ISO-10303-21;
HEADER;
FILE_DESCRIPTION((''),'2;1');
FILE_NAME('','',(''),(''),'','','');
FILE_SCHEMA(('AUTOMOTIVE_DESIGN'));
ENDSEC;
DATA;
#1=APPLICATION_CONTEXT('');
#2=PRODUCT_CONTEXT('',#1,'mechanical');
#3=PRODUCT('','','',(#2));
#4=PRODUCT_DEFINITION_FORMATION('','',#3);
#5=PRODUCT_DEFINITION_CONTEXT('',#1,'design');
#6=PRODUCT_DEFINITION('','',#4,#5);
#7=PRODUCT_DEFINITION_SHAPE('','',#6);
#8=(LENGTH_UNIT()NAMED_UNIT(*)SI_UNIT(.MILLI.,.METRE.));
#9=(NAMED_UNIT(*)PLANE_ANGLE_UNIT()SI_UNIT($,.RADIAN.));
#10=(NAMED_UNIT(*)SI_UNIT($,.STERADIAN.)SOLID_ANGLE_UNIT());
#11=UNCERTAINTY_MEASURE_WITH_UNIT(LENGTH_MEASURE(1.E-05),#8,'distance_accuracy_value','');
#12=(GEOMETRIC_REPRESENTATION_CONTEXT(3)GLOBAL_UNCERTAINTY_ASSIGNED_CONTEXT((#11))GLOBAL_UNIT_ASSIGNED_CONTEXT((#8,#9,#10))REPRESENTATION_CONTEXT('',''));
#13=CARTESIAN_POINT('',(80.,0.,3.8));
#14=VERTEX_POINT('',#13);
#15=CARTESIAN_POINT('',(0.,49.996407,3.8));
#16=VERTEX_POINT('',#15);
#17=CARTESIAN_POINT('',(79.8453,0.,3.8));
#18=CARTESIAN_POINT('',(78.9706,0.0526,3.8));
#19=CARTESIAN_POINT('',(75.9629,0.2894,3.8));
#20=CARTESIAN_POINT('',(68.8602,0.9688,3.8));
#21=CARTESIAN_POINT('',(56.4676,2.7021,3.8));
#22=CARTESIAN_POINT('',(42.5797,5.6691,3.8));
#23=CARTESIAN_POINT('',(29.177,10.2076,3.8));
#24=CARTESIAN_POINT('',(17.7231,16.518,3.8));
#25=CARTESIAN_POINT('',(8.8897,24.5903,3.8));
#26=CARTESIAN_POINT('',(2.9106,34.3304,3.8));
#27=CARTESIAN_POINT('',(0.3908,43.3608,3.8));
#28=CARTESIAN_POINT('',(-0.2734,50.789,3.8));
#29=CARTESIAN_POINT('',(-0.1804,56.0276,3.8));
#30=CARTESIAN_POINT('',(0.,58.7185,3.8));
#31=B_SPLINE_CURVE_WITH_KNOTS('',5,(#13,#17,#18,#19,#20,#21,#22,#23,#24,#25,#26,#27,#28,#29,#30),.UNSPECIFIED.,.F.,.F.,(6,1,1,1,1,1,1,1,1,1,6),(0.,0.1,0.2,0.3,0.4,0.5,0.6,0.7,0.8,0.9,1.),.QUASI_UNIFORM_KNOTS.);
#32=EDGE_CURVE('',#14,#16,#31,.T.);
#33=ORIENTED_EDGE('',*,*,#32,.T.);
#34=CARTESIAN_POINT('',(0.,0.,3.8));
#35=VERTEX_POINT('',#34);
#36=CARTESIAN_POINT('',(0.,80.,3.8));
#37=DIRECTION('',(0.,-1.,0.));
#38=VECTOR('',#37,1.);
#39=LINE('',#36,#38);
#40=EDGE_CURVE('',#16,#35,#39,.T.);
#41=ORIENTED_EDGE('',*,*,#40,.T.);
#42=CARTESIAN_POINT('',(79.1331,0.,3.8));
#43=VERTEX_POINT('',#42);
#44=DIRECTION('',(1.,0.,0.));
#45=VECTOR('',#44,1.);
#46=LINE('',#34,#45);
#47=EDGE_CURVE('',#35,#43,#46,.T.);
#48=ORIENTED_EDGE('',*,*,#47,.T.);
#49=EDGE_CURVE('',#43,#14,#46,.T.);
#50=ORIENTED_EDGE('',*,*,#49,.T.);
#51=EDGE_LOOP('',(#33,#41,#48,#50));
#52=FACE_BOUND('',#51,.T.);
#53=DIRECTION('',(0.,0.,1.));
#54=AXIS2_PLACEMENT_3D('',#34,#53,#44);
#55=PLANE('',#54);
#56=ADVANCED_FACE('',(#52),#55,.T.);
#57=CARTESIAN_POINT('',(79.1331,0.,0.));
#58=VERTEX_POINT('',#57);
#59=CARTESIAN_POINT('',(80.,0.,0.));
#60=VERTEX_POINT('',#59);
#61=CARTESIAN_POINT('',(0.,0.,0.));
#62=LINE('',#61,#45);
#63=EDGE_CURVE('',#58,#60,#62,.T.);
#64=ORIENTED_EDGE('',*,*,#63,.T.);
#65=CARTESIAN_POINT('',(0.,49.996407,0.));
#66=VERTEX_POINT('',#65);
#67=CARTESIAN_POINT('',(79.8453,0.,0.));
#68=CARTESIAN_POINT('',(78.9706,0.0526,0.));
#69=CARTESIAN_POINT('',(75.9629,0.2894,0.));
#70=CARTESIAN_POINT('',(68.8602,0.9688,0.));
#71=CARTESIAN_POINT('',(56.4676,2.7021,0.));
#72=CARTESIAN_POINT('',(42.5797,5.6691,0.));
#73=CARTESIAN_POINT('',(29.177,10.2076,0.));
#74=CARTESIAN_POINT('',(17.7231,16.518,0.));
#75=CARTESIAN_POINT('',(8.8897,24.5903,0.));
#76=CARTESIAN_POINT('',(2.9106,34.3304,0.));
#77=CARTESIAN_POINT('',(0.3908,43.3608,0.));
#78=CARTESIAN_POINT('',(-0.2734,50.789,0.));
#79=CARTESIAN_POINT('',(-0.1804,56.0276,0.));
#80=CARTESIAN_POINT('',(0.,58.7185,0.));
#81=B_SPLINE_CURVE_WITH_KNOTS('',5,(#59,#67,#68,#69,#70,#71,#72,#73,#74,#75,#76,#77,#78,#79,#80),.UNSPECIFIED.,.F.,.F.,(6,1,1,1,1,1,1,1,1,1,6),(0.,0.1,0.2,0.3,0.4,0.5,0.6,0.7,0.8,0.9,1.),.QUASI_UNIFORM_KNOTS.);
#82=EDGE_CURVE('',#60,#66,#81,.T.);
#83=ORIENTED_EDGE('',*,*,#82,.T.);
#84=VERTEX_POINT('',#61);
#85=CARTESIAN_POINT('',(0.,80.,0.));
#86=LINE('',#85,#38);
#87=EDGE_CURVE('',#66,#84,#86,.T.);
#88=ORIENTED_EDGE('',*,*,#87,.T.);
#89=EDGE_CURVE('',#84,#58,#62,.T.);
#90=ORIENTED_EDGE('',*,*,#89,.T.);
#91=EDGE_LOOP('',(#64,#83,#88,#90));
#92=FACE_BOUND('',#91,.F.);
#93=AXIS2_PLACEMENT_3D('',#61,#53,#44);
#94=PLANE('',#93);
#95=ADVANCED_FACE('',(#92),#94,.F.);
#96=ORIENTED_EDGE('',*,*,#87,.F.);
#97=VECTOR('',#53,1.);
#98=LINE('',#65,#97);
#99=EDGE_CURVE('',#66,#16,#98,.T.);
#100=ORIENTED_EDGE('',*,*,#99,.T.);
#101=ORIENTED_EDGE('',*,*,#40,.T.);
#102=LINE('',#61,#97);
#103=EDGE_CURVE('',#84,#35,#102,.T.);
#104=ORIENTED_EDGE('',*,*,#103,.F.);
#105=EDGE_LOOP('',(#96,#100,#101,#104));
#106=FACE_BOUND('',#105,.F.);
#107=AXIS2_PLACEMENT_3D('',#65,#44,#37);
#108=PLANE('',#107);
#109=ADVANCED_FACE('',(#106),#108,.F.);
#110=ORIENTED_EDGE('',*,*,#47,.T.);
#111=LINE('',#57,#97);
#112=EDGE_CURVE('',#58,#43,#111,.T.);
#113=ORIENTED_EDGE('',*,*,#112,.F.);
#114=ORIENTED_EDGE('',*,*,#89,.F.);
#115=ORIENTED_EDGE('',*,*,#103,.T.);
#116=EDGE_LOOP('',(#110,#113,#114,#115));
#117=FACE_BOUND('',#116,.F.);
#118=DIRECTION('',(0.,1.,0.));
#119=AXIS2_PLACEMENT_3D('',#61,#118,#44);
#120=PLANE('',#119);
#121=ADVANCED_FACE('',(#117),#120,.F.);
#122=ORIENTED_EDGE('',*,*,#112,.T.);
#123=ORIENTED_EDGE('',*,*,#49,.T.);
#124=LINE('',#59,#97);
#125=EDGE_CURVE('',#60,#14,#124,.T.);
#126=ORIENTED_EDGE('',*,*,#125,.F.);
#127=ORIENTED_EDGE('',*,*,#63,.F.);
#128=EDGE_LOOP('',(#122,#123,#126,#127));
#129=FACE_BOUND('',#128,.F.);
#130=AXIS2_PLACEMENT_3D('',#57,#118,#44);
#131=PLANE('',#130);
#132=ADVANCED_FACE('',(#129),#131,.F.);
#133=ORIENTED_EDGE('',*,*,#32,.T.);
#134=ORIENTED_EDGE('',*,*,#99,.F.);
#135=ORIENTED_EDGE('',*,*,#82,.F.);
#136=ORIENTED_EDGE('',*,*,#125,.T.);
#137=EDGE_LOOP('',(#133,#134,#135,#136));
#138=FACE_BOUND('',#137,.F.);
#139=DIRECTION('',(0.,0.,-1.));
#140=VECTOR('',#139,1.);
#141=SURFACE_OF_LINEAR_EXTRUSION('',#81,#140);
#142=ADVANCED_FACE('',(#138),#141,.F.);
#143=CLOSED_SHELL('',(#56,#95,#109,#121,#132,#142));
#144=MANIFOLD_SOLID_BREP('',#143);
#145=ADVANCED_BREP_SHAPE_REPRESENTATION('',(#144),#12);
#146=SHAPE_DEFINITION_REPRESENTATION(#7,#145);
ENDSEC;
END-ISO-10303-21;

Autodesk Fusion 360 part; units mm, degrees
sketch "Sketch1" plane through (0, 0, 0) normal (0, 0, 1) x (1, 0, 0)
  line L0 (0, 0) -> (80, 0)
  line L1 (80, 0) -> (80, 80) construction
  line L2 (80, 80) -> (0, 80) construction
  line L3 (0, 80) -> (0, 0)
  spline S0 degree 5 poles (80, 0) (79.8453, 0) (78.9706, 0.0526) (75.9629, 0.2894) (68.8602, 0.9688) (56.4676, 2.7021) (42.5797, 5.6691) (29.177, 10.2076) (17.7231, 16.518) (8.8897, 24.5903) (2.9106, 34.3304) (0.3908, 43.3608) (-0.2734, 50.789) (-0.1804, 56.0276) (0, 58.7185) knots 0 0 0 0 0 0 0.1 0.2 0.3 0.4 0.5 0.6 0.7 0.8 0.9 1 1 1 1 1 1
  line L4 (80.8669, 0) -> (79.1331, 0)
  point P0 (32.9492, 9.2849)
extrude "Extrude1" add sketch "Sketch1" along normal blind 3.8 contours L0 L3 S0 L4
sketch "Sketch2" plane through (0, 0, 3.8) normal (0, 0, 1) x (-1, 0, 0)
  spline S0 degree 5 poles (-80, 0) (-79.8453, 0) (-78.9706, -0.0526) (-75.9629, -0.2894) (-68.8602, -0.9688) (-56.4676, -2.7021) (-42.5797, -5.6691) (-29.177, -10.2076) (-17.7231, -16.518) (-8.8897, -24.5903) (-3.7147, -33.0206) (-1.3019, -40.3599) (-0.3584, -45.8937) (-0.0593, -49.1781) (0, -49.9963) knots 0 0 0 0 0 0 0.1 0.2 0.3 0.4 0.5 0.6 0.7 0.8 0.9 0.932762 0.932762 0.932762 0.932762 0.932762 0.932762
  line L0 (0, -49.9963) -> (0, 0)
  line L1 (0, 0) -> (-80, 0)
  dimension "d3" = 80
  dimension "d4" = 49.9963
